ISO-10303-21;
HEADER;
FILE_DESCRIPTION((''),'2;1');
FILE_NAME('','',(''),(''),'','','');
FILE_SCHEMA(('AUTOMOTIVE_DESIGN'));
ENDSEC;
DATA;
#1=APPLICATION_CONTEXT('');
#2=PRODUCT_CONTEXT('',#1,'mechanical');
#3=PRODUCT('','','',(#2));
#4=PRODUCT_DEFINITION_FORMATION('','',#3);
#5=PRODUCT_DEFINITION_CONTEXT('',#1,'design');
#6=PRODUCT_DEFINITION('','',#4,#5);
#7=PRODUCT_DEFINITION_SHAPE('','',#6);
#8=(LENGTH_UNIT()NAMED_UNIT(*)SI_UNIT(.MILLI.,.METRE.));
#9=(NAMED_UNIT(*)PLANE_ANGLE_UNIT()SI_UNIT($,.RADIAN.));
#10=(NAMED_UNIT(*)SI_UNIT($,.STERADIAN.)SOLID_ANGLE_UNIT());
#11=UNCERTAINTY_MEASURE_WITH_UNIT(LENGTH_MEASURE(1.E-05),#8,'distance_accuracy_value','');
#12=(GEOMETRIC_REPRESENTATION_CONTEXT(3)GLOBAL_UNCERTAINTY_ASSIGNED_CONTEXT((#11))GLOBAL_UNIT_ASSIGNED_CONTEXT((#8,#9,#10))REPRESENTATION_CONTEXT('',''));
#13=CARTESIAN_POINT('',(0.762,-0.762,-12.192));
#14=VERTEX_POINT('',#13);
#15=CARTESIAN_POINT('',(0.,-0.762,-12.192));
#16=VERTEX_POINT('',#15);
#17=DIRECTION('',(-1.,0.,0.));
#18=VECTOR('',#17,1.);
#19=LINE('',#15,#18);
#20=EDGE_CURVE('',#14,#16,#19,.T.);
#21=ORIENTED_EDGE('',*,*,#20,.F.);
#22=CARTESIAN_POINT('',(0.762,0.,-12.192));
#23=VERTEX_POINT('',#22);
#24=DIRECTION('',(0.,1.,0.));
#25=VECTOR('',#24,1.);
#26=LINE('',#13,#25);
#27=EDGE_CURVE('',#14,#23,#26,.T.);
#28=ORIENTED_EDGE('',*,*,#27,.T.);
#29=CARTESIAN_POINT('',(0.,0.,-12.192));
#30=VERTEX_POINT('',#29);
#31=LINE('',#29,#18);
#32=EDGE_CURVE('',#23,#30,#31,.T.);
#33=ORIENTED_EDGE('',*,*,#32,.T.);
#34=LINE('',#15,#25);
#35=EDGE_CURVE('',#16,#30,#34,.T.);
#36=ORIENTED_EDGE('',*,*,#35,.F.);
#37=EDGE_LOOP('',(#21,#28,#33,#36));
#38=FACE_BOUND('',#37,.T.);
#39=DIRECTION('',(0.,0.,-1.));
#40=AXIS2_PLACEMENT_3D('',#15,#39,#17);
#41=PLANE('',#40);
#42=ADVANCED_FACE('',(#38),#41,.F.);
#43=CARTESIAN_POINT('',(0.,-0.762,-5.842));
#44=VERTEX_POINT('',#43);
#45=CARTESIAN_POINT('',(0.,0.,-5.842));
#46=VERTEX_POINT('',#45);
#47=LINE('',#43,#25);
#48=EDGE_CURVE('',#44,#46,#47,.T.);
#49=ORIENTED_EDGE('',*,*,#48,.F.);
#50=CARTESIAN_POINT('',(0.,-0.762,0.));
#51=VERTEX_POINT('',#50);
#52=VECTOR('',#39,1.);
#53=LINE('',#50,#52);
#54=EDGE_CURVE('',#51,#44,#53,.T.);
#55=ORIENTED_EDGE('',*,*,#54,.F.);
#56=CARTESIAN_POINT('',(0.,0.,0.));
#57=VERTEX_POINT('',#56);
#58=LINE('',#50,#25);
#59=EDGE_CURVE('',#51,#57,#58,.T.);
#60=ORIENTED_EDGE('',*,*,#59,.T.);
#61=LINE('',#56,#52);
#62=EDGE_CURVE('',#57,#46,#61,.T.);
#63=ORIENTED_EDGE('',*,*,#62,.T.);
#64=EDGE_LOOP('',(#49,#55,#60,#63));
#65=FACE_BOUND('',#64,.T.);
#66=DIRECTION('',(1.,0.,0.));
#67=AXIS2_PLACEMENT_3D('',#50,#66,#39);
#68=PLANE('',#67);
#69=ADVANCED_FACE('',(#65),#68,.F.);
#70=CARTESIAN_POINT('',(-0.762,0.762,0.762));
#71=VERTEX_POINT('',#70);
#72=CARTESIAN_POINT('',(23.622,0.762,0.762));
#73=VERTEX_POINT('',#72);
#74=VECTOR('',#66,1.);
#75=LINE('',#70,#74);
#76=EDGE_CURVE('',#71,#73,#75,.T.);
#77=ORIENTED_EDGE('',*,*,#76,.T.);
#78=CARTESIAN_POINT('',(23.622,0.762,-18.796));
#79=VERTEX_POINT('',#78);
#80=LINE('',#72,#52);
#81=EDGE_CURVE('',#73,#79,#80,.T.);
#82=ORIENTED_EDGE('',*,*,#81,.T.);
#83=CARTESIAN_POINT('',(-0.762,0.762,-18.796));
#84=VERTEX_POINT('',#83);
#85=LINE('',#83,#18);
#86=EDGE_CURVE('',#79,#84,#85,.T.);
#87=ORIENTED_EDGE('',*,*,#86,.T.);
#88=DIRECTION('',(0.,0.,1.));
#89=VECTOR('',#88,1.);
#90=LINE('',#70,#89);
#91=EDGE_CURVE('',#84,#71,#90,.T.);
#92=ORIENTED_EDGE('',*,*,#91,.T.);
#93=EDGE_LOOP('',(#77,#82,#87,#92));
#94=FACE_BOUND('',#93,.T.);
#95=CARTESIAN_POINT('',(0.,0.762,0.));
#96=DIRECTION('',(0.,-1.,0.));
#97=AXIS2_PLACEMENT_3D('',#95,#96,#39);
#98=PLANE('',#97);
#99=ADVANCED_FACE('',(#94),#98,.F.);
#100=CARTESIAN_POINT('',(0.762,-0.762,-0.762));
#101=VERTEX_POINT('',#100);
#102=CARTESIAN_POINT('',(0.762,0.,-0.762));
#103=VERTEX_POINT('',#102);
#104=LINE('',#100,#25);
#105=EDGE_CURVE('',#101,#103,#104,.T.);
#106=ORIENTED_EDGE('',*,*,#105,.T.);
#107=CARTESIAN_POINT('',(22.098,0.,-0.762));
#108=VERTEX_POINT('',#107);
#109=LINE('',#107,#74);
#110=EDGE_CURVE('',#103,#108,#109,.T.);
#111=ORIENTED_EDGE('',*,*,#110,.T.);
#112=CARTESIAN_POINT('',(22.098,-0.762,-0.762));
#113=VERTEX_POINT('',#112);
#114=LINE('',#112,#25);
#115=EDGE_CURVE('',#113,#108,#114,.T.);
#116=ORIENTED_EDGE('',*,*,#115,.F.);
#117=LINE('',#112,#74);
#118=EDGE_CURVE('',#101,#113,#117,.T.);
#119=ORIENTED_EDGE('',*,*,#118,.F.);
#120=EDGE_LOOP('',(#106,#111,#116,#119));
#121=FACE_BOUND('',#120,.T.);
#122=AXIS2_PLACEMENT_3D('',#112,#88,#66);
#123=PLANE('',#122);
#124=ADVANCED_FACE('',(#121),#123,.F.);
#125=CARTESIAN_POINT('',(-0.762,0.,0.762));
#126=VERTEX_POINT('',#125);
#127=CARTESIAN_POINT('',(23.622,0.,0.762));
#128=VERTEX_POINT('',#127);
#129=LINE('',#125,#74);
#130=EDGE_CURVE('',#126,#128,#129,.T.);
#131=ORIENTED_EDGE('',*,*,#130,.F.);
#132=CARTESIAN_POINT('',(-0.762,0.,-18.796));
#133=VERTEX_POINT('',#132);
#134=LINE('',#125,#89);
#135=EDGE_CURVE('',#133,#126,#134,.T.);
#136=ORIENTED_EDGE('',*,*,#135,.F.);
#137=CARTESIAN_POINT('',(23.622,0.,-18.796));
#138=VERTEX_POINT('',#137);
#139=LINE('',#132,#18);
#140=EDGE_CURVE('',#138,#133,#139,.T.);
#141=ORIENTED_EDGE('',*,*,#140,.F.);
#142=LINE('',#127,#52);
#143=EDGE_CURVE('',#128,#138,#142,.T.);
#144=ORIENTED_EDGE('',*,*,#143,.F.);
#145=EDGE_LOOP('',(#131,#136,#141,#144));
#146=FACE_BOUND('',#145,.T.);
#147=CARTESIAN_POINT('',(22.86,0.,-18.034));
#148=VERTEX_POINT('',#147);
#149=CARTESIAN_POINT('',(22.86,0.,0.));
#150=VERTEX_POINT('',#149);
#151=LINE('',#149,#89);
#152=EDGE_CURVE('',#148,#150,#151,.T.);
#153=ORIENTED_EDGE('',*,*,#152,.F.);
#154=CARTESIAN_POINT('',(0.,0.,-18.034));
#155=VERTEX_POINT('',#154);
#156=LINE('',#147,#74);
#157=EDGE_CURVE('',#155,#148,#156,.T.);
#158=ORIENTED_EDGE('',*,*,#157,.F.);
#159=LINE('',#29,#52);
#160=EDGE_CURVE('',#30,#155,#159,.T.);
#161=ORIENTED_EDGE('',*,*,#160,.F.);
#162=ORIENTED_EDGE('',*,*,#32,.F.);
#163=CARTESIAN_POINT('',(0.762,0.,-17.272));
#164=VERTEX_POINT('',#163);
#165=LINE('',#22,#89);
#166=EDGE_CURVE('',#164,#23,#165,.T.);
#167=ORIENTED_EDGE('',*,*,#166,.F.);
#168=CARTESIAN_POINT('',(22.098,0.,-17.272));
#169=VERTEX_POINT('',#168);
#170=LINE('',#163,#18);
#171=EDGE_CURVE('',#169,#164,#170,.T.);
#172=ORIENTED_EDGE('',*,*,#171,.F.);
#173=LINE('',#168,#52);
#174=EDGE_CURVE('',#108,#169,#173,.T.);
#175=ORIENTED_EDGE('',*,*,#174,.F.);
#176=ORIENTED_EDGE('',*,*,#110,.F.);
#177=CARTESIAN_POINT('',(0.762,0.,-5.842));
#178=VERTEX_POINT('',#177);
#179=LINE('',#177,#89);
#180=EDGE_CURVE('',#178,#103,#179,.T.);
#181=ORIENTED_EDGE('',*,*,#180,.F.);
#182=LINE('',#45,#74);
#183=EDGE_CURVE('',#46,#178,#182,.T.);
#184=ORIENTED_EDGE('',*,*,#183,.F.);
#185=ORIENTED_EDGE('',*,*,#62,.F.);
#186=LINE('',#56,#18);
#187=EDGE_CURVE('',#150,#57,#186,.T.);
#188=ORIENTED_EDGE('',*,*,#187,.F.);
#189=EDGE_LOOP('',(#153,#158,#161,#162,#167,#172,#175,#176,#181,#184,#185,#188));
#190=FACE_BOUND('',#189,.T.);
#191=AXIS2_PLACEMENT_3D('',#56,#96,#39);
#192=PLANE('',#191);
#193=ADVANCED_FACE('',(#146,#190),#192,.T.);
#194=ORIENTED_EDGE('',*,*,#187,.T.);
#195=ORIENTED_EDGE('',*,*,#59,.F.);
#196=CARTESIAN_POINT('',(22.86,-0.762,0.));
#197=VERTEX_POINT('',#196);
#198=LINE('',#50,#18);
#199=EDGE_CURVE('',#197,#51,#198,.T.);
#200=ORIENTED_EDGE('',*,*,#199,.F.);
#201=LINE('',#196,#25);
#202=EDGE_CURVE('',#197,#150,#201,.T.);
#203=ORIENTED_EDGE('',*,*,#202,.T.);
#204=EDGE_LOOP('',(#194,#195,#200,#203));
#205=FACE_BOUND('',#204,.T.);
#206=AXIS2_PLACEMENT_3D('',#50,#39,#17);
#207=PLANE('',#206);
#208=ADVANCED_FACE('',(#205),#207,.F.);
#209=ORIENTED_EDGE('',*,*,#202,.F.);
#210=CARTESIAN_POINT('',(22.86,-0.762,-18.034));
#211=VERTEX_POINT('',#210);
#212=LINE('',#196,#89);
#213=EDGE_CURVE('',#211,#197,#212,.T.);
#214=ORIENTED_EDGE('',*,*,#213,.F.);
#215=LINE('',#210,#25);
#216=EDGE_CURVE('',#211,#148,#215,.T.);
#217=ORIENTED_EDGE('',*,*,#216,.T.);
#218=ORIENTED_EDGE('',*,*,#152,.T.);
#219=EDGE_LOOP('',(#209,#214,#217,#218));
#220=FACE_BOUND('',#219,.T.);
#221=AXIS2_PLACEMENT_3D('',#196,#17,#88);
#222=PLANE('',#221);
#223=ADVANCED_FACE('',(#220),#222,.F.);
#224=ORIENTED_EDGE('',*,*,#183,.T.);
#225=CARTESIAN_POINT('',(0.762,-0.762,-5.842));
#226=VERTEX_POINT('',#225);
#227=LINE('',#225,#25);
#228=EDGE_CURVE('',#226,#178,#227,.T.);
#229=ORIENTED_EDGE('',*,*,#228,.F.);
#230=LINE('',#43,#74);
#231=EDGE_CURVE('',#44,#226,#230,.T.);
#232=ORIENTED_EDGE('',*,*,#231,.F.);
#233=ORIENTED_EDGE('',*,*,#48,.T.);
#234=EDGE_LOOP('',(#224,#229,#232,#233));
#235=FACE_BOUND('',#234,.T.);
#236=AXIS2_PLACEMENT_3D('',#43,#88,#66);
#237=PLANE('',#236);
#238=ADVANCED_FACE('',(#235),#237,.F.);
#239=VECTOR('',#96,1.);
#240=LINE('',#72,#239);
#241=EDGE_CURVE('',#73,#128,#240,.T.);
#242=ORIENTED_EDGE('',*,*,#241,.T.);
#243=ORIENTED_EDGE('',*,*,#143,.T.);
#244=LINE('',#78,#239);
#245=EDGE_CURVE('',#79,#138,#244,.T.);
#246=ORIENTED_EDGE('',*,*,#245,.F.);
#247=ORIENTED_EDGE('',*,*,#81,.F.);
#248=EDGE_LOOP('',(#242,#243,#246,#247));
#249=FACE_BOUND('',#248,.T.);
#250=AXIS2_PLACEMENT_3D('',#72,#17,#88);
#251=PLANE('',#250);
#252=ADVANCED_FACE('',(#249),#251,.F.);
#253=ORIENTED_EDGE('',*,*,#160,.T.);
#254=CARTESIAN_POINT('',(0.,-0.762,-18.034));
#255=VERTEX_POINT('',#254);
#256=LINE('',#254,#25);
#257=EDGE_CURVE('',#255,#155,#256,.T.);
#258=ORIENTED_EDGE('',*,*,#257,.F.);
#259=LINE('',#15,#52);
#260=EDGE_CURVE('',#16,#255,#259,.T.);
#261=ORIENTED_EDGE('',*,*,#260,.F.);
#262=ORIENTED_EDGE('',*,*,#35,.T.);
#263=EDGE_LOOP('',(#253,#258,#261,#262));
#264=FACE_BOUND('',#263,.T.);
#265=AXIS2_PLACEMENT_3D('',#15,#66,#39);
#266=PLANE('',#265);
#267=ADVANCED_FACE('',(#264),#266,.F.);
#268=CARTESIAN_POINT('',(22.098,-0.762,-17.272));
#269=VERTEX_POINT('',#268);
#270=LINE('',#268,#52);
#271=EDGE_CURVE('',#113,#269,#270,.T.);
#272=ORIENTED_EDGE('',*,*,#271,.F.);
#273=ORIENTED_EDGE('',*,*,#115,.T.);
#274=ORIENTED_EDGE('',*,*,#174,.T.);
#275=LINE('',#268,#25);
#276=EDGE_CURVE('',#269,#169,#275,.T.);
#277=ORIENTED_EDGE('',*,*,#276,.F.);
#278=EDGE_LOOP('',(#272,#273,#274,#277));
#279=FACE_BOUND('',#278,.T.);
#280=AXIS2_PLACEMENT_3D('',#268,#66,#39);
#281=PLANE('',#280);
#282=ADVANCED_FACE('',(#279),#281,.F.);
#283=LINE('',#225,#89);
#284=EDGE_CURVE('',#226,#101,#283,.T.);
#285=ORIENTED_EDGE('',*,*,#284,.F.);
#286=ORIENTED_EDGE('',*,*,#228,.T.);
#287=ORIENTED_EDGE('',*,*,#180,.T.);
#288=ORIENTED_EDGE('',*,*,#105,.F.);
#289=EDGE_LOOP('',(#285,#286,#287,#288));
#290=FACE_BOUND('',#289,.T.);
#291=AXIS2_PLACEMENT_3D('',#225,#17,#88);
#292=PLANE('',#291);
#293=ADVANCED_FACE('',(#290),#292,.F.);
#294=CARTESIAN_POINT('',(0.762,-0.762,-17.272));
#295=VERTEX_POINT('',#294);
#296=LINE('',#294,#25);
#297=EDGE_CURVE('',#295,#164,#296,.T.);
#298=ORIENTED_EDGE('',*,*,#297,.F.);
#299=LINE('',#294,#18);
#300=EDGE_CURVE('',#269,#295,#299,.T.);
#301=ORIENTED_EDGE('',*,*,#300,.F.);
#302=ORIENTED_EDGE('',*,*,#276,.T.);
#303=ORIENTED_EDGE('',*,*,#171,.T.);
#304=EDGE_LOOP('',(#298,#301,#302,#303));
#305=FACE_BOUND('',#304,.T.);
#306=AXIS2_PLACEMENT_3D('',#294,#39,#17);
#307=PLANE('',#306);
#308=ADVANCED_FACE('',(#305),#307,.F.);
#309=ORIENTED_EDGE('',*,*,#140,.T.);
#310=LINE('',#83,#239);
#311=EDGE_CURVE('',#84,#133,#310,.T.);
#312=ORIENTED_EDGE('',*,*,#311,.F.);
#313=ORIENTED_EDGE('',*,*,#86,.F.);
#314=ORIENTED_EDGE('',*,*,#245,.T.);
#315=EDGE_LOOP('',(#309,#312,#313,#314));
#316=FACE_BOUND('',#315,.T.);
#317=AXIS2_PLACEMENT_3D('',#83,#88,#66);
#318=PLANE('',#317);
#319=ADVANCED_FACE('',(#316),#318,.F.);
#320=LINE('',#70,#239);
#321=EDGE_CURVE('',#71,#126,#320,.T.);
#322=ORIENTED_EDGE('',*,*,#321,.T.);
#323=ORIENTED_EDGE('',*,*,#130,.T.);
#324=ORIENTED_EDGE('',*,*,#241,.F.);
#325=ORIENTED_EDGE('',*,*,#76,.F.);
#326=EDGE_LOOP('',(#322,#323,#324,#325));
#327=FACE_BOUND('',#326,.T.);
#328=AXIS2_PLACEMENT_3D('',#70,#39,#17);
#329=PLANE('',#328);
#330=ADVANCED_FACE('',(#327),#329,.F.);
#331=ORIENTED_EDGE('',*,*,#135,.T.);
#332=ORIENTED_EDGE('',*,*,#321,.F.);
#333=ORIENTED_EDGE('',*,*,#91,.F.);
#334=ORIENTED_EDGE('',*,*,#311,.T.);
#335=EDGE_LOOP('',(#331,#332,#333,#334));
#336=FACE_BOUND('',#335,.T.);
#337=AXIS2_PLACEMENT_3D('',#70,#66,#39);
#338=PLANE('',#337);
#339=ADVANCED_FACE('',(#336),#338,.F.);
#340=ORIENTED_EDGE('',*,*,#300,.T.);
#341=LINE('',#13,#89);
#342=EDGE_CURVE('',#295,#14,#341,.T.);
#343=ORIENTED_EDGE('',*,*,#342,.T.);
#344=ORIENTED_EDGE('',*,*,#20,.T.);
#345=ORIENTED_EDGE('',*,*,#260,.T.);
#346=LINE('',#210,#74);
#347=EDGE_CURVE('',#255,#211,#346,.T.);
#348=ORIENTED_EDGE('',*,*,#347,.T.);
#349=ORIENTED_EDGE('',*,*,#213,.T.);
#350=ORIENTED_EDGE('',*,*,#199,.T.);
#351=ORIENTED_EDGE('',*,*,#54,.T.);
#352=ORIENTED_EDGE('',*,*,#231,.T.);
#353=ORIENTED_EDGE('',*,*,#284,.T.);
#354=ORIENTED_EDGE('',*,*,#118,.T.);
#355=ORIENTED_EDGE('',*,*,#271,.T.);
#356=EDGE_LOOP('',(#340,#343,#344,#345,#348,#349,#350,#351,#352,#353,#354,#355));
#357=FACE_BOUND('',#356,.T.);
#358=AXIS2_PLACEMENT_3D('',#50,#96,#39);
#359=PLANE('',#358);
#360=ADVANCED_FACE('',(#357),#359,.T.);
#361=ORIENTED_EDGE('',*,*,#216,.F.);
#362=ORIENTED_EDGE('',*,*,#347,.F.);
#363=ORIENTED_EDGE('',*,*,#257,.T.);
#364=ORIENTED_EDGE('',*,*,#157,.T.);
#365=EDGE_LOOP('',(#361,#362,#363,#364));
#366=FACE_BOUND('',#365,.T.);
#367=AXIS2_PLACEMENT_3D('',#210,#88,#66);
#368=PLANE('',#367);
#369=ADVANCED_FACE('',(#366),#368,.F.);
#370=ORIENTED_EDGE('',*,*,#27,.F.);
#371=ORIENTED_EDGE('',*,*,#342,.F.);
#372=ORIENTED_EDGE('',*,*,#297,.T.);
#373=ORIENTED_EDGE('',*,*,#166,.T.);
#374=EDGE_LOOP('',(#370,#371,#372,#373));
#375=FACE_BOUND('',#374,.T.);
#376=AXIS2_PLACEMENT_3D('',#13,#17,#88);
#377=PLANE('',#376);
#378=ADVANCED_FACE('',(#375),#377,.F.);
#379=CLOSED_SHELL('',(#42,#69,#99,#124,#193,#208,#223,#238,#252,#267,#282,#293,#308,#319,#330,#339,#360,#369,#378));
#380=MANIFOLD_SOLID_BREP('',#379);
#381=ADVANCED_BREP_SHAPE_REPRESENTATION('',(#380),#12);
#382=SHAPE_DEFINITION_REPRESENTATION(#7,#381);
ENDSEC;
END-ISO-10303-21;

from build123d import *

# Parameters (mm, degrees)
SKETCH4_W           = 24.384
SKETCH4_H           = 19.558
BOSS_EXTRUDE1_DEPTH = 0.762
BOSS_EXTRUDE2_DEPTH = 0.762


with BuildPart() as part:
    # Sketch4 → Boss-Extrude1 (new body)
    with BuildSketch(Plane(origin=(0, 0, 0), x_dir=(1, 0, 0), z_dir=(0, 1, 0))):
        with Locations((11.43, 9.017)):
            Rectangle(SKETCH4_W, SKETCH4_H)
    extrude(amount=BOSS_EXTRUDE1_DEPTH)

    # Sketch6 → Boss-Extrude2 (add)
    with BuildSketch(Plane.XZ):
        Polygon((0, 0), (22.86, 0), (22.86, -18.034), (0, -18.034), (0, -12.192), (0.762, -12.192), (0.762, -17.272), (22.098, -17.272), (22.098, -0.762), (0.762, -0.762), (0.762, -5.842), (0, -5.842), align=None)
    extrude(amount=BOSS_EXTRUDE2_DEPTH)


solid = part.part
